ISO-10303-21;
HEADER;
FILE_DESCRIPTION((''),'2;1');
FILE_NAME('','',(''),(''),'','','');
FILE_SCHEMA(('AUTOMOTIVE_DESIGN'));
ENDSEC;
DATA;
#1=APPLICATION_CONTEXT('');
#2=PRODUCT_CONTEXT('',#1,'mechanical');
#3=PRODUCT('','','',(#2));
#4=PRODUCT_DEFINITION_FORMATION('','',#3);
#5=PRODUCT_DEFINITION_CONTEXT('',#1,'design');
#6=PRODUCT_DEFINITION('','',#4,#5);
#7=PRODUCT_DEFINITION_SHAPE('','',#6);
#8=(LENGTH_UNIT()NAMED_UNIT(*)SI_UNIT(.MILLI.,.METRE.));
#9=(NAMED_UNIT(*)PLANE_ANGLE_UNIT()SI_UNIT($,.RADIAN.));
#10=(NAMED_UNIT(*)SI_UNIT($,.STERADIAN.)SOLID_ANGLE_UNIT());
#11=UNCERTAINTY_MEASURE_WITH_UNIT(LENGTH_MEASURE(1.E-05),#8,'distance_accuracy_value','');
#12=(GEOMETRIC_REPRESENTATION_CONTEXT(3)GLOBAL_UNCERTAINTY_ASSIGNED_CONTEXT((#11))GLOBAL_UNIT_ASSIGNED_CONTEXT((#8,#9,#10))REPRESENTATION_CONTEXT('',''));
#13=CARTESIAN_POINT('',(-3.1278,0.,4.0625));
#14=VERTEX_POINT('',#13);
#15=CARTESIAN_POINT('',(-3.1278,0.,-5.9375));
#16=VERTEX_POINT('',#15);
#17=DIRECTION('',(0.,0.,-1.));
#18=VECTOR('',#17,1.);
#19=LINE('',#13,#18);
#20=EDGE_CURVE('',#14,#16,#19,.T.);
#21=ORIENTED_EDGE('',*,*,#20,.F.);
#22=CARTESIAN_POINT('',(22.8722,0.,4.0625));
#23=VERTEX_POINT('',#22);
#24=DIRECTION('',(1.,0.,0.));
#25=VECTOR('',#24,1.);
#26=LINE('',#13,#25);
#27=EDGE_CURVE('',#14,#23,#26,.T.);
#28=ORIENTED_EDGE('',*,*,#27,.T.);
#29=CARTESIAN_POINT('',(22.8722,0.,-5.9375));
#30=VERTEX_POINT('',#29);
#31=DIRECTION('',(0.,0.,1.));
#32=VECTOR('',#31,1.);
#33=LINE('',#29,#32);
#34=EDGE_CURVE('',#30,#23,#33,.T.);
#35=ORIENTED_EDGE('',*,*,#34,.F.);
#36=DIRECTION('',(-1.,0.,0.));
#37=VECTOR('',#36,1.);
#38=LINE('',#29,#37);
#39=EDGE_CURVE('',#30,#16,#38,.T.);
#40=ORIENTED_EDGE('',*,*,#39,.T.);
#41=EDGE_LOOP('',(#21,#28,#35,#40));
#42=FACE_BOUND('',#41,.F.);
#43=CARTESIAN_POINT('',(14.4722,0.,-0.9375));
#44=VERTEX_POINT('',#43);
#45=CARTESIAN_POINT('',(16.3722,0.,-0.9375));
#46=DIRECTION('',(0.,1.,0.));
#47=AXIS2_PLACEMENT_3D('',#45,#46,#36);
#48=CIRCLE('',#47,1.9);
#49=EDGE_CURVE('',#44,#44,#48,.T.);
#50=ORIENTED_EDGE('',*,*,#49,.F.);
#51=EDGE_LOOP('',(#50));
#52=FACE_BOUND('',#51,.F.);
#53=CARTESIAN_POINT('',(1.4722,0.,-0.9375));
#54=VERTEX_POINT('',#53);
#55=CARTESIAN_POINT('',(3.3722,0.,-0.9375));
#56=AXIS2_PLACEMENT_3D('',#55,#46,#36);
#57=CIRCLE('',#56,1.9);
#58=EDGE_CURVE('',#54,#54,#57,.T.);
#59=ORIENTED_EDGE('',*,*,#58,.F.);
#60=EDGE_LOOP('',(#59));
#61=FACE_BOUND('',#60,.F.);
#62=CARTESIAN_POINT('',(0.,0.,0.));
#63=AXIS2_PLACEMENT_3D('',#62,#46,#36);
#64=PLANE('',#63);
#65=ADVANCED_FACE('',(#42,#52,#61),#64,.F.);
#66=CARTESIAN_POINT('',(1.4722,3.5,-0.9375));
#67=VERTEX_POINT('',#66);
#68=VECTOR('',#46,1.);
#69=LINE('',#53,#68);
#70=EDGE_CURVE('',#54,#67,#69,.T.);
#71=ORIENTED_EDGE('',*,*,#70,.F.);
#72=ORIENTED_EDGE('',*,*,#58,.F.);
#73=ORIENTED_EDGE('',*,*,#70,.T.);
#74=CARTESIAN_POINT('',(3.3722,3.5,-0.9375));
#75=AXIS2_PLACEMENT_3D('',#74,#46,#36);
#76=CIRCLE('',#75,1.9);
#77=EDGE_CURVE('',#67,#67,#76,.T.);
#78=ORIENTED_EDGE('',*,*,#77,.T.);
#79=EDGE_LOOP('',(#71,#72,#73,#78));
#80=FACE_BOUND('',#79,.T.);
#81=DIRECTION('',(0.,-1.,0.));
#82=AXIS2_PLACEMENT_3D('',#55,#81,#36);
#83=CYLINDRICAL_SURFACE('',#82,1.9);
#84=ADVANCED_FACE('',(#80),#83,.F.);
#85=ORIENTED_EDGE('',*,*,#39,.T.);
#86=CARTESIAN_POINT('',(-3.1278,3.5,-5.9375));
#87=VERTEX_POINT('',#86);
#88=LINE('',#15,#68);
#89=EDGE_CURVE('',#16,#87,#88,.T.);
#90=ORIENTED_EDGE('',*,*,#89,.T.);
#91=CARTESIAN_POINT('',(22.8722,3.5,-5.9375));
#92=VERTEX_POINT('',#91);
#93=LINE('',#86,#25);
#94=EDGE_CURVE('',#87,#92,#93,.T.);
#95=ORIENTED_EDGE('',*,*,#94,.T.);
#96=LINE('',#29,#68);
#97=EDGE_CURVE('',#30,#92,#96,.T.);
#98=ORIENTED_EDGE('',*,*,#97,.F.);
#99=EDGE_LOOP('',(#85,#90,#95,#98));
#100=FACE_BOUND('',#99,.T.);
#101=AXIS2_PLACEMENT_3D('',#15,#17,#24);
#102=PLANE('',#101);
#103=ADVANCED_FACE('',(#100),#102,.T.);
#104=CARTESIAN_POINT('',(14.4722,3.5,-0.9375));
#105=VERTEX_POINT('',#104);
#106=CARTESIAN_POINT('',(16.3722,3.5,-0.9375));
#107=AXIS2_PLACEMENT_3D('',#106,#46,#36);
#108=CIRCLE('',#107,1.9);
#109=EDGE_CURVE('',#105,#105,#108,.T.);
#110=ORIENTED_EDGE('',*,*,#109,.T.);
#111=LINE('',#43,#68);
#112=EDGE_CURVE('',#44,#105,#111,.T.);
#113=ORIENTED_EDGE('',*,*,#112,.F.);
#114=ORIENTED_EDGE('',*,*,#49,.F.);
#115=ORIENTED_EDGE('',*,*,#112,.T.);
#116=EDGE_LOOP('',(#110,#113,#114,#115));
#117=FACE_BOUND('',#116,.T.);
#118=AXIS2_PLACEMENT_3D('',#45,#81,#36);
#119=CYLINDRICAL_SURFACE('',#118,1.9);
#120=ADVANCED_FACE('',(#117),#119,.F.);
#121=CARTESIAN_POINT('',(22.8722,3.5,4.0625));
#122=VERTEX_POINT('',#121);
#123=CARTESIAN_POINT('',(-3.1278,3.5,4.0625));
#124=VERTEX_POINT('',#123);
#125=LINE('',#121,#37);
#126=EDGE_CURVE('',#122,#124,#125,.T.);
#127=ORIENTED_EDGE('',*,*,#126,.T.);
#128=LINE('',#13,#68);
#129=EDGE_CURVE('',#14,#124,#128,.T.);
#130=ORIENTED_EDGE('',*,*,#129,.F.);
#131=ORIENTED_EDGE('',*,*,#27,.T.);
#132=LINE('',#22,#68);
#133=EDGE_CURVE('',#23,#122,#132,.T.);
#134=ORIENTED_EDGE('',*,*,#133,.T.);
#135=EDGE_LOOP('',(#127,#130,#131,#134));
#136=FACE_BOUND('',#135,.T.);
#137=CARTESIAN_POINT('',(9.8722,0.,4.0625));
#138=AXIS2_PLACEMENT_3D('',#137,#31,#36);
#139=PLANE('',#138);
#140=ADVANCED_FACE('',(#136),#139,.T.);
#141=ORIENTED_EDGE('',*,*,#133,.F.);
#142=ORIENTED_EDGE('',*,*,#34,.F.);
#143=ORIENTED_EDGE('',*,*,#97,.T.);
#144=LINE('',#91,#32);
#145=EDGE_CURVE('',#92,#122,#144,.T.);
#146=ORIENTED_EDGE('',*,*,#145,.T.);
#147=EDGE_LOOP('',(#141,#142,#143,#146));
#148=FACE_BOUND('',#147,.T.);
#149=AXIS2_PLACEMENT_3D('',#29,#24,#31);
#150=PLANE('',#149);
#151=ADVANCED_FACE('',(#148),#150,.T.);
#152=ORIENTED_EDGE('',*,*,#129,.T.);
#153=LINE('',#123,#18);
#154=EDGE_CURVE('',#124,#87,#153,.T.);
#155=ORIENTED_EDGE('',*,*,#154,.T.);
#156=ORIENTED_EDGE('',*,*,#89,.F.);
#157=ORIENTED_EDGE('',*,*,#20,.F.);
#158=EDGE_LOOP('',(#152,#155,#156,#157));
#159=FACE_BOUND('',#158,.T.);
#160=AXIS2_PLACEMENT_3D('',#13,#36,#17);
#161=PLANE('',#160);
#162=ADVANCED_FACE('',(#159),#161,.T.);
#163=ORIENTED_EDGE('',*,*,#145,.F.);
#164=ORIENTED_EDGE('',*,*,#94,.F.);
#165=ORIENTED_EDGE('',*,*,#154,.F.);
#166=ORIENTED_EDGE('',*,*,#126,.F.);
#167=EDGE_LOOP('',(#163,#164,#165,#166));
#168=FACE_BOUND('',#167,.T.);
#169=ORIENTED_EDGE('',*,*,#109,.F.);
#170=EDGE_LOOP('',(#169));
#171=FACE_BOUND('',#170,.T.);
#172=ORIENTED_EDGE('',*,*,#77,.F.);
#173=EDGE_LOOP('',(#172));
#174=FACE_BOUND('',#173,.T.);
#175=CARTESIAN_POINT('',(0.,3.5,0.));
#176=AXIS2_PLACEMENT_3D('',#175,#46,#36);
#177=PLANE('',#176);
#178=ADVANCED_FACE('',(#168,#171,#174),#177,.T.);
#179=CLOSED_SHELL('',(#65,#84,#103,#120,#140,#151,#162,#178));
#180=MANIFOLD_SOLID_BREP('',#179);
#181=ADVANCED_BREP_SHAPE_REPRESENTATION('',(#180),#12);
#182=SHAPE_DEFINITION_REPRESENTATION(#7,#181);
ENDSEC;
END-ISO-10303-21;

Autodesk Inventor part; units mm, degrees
ref_plane "YZ Plane" through (0, 0, 0) normal (1, 0, 0) x (0, 1, 0)
ref_plane "XZ Plane" through (0, 0, 0) normal (0, 1, 0) x (-1, 0, 0)
ref_plane "XY Plane" through (0, 0, 0) normal (0, 0, 1) x (1, 0, 0)
sketch "Sketch1" plane through (0, 0, 0) normal (0, 1, 0) x (-1, 0, 0)
  line L0 (3.1278, 4.0625) -> (3.1278, -5.9375)
  line L1 (3.1278, -5.9375) -> (-22.8722, -5.9375)
  line L2 (-22.8722, -5.9375) -> (-22.8722, 4.0625)
  line L3 (-22.8722, 4.0625) -> (3.1278, 4.0625)
  circle A0 centre (-3.3722, -0.9375) radius 1.9
  line L4 (-9.8722, -5.9375) -> (-9.8722, 8.6537)
  circle A1 centre (-16.3722, -0.9375) radius 1.9
  point P0 (0, 0)
  dimension "d0" = 10
  dimension "d1" = 26
  dimension "d2" = 3.8
  dimension "d4" = 6.5
  dimension "d5" = 6.5
  dimension "d6" = 13
extrude "Extrusion1" add sketch "Sketch1" along normal blind 3.5
properties part number "prepoj"
